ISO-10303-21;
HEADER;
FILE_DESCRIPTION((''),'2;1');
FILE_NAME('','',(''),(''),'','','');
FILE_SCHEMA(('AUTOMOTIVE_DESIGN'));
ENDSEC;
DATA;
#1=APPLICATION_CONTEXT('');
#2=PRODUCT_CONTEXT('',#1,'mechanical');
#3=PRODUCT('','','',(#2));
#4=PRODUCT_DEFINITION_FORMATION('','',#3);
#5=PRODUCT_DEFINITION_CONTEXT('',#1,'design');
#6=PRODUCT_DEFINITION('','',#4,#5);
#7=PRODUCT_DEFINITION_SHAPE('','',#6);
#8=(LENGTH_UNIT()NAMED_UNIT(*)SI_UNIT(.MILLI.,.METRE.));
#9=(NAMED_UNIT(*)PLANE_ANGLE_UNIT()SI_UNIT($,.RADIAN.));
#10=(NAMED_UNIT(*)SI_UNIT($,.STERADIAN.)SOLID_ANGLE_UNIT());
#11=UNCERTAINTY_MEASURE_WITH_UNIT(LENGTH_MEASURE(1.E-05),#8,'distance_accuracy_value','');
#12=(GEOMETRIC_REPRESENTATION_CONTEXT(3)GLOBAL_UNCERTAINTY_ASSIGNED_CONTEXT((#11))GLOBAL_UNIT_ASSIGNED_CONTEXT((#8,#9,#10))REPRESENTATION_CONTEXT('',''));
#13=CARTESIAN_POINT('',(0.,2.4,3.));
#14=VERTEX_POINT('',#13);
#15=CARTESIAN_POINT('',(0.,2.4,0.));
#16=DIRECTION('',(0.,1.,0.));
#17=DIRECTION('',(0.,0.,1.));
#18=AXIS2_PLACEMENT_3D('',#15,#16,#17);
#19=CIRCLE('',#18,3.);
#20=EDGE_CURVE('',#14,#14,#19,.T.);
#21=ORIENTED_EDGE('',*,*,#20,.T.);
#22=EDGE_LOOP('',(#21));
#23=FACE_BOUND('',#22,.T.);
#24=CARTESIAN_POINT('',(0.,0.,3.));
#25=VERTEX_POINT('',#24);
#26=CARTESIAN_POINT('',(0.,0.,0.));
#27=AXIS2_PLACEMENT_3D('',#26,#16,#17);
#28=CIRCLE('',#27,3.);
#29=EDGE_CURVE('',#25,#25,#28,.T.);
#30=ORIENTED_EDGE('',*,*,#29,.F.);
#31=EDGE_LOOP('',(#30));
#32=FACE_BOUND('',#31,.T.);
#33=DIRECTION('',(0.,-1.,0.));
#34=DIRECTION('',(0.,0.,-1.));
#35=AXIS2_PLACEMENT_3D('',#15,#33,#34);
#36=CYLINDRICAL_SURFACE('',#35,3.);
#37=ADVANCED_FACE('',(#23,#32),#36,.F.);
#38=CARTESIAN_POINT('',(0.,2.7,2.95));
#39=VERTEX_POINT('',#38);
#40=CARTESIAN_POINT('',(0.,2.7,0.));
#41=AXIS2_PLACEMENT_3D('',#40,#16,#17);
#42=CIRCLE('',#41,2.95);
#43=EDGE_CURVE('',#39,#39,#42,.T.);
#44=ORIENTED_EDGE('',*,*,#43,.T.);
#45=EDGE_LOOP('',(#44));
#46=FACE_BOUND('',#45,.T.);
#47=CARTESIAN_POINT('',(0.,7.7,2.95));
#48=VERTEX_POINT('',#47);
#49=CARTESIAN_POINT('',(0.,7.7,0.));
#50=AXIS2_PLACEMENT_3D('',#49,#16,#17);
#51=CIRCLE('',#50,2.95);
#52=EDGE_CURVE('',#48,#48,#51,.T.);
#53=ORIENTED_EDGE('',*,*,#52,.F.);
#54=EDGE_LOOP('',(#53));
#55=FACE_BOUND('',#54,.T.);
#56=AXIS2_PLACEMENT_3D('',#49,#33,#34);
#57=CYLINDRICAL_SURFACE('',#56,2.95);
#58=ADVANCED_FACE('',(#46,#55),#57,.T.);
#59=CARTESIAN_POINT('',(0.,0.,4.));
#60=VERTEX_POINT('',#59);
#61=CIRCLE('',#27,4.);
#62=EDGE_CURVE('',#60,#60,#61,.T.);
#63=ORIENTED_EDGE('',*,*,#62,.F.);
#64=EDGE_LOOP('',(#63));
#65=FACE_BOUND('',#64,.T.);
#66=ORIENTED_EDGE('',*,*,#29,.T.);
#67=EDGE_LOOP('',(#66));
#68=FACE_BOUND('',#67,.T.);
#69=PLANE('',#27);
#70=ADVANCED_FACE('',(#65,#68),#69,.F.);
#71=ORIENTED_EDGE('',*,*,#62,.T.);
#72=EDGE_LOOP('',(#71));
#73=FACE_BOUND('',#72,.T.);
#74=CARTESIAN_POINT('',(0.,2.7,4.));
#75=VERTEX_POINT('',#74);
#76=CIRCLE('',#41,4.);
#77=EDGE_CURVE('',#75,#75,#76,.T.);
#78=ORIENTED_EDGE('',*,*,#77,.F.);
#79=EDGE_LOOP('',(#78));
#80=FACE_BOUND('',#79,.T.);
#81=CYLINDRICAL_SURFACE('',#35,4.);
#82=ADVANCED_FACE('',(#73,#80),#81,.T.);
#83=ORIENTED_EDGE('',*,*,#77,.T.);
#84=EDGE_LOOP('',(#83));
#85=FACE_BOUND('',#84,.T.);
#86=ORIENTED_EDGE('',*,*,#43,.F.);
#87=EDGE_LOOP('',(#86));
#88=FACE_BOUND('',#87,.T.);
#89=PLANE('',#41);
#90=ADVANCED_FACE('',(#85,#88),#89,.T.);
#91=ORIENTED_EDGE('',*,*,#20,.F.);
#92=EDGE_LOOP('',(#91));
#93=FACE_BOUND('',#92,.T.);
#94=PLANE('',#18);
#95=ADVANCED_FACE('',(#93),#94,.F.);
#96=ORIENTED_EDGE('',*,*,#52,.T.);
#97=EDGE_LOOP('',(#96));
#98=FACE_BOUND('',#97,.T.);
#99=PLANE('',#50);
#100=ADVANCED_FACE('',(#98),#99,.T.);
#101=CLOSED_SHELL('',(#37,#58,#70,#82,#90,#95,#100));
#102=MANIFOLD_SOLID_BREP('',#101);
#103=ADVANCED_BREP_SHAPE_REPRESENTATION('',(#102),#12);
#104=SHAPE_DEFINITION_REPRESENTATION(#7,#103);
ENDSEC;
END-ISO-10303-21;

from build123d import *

# Parameters (mm, degrees)
SKETCH_1_R      = 4
SKETCH_1_R_2    = 3
EXTRUDE_1_DEPTH = 2.4
SKETCH_2_R      = 4
EXTRUDE_2_DEPTH = 0.3
SKETCH_3_R      = 2.95
EXTRUDE_3_DEPTH = 5


with BuildPart() as part:
    # 草图1 → 凸台-拉伸1 (new body)
    with BuildSketch(Plane(origin=(0, 0, 0), x_dir=(1, 0, 0), z_dir=(0, 1, 0))):
        with Locations(Location((0, 0, 0), (0, 0, 270))):
            Circle(SKETCH_1_R)
        with Locations(Location((0, 0, 0), (0, 0, 270))):
            Circle(SKETCH_1_R_2, mode=Mode.SUBTRACT)
    extrude(amount=EXTRUDE_1_DEPTH)

    # 草图2 → 凸台-拉伸2 (add)
    with BuildSketch(Plane(origin=(0, 2.4, 0), x_dir=(1, 0, 0), z_dir=(0, 1, 0))):
        with Locations(Location((0, 0, 0), (0, 0, 270))):
            Circle(SKETCH_2_R)
    extrude(amount=EXTRUDE_2_DEPTH)

    # 草图3 → 凸台-拉伸3 (add)
    with BuildSketch(Plane(origin=(0, 2.7, 0), x_dir=(1, 0, 0), z_dir=(0, 1, 0))):
        with Locations(Location((0, 0, 0), (0, 0, 270))):
            Circle(SKETCH_3_R)
    extrude(amount=EXTRUDE_3_DEPTH)


solid = part.part
